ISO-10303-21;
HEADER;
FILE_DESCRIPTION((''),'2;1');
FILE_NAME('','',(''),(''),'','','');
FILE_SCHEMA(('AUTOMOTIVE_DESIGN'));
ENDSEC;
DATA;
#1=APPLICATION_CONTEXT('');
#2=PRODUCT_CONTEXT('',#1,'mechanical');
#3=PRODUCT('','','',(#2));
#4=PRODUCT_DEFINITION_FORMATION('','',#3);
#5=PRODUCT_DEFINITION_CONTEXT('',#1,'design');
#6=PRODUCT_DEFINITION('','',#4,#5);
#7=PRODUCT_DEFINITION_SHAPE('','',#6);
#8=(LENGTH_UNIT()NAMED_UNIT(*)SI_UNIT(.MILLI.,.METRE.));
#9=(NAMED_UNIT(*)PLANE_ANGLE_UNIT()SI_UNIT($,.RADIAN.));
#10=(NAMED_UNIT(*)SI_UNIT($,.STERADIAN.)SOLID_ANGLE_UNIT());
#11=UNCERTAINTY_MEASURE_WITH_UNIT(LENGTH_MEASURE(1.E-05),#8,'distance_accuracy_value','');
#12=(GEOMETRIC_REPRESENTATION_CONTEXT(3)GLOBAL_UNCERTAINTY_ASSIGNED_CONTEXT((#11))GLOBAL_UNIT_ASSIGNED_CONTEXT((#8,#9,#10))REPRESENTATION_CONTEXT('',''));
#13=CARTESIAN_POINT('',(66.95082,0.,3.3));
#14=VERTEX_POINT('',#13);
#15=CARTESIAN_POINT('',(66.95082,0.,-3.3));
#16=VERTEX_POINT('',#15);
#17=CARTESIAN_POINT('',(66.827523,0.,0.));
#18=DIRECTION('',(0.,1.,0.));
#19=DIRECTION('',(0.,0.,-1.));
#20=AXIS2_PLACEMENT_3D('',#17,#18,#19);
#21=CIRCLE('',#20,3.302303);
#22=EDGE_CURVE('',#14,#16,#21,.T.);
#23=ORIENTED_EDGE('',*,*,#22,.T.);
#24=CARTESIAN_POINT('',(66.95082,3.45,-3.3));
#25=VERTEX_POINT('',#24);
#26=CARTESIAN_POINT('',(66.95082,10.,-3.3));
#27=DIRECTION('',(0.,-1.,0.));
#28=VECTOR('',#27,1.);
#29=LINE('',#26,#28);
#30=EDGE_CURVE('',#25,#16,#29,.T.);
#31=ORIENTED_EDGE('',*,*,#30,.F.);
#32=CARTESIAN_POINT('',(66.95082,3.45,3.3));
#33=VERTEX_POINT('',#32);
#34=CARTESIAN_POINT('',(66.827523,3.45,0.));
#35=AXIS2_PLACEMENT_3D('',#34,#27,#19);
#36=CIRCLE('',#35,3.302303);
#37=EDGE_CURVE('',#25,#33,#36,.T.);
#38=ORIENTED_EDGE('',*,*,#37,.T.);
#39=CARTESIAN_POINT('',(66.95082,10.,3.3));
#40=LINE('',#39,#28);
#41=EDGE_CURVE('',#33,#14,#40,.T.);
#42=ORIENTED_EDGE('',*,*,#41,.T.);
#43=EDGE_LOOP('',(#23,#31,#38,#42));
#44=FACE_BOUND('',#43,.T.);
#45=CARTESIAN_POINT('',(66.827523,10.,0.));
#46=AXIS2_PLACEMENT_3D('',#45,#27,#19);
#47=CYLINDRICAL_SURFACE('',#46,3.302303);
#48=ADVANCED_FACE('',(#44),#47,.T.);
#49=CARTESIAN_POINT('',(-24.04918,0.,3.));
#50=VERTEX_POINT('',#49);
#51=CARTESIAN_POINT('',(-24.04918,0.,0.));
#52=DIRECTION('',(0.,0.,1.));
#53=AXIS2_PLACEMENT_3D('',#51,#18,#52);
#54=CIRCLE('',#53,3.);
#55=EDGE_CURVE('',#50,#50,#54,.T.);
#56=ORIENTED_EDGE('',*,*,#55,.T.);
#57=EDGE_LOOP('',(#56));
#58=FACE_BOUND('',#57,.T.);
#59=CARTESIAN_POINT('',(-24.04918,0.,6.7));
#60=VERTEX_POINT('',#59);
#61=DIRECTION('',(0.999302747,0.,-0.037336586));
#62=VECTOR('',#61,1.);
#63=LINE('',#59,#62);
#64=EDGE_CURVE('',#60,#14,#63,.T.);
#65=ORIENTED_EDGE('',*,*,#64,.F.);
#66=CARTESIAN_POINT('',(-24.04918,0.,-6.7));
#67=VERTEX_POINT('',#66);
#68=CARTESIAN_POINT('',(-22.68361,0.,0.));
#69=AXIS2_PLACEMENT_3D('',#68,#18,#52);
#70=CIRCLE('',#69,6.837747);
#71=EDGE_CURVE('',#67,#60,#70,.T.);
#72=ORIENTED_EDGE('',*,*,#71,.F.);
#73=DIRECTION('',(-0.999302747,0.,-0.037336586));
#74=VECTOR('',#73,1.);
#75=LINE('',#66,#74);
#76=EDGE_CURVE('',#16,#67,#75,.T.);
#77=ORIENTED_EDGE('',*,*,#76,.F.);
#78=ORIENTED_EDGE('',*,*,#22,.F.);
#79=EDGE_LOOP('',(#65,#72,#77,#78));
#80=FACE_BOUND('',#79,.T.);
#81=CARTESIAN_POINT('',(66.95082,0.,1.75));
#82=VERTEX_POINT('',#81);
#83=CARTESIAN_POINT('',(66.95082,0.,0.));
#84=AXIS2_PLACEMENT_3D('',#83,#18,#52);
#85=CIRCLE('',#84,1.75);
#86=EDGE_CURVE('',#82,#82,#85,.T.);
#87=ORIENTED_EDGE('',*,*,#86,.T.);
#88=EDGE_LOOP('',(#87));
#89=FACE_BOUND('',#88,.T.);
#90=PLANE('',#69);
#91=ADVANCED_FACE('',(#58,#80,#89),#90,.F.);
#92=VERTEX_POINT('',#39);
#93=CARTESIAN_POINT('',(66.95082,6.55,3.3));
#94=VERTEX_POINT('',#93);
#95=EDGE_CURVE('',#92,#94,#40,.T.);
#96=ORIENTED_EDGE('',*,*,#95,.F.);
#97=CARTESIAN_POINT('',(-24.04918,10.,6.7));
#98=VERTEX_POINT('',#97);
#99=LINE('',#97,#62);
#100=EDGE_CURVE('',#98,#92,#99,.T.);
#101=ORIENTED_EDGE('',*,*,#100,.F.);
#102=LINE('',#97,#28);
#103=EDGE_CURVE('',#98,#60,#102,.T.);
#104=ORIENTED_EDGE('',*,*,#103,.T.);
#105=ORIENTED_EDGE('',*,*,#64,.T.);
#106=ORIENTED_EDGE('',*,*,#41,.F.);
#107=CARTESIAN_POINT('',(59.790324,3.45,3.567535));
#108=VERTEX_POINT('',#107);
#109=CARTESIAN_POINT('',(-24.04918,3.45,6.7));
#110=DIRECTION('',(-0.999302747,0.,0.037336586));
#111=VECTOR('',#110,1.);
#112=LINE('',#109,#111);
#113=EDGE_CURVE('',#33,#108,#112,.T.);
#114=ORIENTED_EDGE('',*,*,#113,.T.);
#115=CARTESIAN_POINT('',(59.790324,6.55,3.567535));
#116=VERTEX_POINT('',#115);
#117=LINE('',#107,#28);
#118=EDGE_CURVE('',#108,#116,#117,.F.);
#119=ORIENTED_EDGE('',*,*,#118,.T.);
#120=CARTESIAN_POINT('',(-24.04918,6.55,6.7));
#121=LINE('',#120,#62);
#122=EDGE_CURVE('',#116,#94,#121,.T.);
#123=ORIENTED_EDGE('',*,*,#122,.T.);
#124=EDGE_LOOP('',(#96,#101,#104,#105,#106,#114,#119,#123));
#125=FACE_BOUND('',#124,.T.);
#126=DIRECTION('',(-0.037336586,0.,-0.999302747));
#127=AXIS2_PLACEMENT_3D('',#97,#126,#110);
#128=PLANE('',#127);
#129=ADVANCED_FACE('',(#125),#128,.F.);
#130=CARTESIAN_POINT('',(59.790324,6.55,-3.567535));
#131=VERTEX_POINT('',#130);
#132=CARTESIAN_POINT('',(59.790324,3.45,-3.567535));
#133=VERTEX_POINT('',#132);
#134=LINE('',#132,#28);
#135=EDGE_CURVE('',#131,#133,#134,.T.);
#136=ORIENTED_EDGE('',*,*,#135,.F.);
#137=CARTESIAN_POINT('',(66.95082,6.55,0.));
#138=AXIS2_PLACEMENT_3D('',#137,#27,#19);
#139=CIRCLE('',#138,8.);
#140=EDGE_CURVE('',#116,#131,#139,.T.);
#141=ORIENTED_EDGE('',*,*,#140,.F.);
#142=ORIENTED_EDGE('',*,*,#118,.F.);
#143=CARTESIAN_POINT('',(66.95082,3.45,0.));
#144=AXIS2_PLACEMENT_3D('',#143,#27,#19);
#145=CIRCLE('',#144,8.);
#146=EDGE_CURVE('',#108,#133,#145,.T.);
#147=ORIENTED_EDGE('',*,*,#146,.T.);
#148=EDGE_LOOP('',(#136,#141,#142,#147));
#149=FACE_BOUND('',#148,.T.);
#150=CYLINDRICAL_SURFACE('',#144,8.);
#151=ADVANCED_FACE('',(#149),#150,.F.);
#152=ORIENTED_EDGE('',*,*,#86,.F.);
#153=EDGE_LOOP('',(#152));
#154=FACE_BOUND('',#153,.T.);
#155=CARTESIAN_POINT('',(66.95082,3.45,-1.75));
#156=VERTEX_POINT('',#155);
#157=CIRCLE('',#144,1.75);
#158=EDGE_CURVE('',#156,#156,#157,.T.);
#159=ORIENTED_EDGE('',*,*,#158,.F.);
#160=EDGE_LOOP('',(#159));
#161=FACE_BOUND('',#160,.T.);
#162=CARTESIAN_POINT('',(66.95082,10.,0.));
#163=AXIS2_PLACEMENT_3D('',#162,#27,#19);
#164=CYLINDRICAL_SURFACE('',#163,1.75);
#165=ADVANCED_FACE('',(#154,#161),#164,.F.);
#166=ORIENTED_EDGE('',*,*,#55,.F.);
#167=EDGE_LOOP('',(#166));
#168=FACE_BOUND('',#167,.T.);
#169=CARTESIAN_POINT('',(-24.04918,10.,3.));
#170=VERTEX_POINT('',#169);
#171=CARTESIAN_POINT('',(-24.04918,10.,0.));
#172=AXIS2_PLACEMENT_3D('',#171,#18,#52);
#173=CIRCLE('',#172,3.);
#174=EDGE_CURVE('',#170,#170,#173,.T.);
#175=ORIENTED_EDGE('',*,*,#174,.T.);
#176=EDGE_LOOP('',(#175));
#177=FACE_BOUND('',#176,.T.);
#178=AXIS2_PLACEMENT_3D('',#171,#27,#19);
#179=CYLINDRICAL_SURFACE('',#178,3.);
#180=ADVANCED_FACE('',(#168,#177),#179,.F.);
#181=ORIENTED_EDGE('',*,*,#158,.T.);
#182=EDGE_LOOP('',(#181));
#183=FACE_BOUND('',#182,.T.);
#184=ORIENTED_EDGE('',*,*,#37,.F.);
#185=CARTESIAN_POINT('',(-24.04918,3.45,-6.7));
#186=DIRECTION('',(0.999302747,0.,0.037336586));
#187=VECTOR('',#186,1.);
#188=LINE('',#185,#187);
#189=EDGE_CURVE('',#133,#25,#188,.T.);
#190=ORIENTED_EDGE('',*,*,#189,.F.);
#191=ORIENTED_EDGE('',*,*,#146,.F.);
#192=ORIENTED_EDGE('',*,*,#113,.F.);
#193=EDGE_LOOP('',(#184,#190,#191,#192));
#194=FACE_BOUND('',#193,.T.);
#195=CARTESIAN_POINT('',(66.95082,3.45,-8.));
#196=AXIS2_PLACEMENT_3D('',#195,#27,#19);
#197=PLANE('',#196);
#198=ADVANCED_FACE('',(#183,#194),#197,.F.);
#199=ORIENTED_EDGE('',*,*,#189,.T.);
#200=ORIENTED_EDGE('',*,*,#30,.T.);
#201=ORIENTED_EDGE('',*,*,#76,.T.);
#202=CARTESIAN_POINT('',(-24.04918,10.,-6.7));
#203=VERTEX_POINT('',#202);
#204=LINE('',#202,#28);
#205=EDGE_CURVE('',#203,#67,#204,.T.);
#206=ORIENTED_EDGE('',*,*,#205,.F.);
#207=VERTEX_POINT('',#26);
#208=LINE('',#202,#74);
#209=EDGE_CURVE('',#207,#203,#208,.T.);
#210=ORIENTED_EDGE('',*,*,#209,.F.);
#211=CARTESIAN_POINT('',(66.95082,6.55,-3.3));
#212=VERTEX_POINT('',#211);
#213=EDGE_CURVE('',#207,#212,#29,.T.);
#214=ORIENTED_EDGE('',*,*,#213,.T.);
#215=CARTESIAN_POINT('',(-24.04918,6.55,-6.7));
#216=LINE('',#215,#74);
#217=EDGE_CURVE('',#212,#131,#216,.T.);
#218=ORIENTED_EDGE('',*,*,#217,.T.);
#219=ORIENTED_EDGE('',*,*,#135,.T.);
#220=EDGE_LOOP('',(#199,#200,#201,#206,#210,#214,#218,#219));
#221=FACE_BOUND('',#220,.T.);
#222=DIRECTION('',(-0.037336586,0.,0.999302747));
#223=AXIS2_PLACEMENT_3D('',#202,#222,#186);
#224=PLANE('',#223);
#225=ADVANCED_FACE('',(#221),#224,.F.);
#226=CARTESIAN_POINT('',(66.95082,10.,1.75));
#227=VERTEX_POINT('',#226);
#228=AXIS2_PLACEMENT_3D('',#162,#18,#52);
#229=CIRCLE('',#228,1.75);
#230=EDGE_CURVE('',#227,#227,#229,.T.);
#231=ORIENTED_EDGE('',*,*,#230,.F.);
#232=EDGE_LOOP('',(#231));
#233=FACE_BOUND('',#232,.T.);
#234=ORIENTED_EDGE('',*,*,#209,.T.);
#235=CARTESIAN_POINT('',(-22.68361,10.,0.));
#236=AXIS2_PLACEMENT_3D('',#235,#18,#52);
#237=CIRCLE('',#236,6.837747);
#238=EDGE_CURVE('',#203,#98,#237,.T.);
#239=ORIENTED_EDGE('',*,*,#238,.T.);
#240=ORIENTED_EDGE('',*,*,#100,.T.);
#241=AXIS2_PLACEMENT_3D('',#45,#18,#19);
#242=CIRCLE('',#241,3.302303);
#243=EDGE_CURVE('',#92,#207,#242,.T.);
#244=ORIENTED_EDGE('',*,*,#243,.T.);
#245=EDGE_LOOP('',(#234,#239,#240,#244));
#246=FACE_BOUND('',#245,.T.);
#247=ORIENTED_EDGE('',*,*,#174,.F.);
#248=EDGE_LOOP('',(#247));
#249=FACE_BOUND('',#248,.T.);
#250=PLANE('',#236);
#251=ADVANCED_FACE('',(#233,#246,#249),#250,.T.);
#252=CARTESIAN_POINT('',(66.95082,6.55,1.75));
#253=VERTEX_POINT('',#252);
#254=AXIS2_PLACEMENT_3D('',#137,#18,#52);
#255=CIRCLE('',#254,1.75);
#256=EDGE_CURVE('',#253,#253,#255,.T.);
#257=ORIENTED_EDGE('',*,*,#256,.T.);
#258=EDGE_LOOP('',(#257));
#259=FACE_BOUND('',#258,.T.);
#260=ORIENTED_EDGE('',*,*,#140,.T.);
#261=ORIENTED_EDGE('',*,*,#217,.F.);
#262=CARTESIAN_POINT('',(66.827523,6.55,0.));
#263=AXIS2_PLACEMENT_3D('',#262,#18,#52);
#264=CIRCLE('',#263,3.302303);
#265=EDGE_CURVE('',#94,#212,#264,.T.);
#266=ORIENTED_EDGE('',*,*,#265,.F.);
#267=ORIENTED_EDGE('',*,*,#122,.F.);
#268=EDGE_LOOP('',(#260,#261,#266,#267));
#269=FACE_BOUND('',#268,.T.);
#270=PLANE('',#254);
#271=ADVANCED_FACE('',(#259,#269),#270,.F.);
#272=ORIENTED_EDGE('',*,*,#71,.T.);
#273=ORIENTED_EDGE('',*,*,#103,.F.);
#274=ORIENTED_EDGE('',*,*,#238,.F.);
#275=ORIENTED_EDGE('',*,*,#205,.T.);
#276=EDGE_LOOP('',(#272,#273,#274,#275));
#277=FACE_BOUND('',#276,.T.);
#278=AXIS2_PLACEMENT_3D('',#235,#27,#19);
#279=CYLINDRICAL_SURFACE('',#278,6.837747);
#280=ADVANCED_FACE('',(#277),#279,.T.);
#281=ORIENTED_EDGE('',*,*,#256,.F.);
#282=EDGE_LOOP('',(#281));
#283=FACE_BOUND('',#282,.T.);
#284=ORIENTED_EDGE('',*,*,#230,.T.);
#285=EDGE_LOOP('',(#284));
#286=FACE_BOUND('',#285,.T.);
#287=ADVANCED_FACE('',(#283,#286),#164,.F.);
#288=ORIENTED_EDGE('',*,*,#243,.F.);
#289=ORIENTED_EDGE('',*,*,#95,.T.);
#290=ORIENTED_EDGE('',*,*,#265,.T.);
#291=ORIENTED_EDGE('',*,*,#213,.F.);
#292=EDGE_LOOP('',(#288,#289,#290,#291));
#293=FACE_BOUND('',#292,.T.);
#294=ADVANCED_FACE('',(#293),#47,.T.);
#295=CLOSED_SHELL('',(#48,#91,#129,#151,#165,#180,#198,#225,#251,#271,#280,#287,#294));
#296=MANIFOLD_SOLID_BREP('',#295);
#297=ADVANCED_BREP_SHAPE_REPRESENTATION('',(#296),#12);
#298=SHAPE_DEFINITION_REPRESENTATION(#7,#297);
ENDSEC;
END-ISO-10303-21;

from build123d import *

# Parameters (mm, degrees)
SKETCH1_R           = 1.75
SKETCH1_R_2         = 3
BOSS_EXTRUDE1_DEPTH = 10
SKETCH2_W           = 8
SKETCH2_H           = 3.1


with BuildPart() as part:
    # Sketch1 → Boss-Extrude1 (new body)
    with BuildSketch(Plane(origin=(0, 0, 0), x_dir=(1, 0, 0), z_dir=(0, 1, 0))):
        with BuildLine():
            Line((-24.049180328, 6.7), (66.950819672, 3.3))
            ThreePointArc((66.950819672, 3.3), (70.129825511, 0), (66.950819672, -3.3))
            Line((66.950819672, -3.3), (-24.049180328, -6.7))
            ThreePointArc((-24.049180328, -6.7), (-29.521356494, 0), (-24.049180328, 6.7))
        make_face()
        with Locations((66.950819672, 0)):
            Circle(SKETCH1_R, mode=Mode.SUBTRACT)
        with Locations((-24.049180328, 0)):
            Circle(SKETCH1_R_2, mode=Mode.SUBTRACT)
    extrude(amount=BOSS_EXTRUDE1_DEPTH)

    # Sketch2 → Cut-Revolve1 (revolve, cut)
    with BuildSketch(Plane(origin=(66.950819672, 0, 0), x_dir=(0, 0, -1), z_dir=(1, 0, 0))):
        with Locations((4, 5)):
            Rectangle(SKETCH2_W, SKETCH2_H)
    revolve(axis=Axis((66.950819672, 3.45, 0), (0, 1, 0)), mode=Mode.SUBTRACT)


solid = part.part
